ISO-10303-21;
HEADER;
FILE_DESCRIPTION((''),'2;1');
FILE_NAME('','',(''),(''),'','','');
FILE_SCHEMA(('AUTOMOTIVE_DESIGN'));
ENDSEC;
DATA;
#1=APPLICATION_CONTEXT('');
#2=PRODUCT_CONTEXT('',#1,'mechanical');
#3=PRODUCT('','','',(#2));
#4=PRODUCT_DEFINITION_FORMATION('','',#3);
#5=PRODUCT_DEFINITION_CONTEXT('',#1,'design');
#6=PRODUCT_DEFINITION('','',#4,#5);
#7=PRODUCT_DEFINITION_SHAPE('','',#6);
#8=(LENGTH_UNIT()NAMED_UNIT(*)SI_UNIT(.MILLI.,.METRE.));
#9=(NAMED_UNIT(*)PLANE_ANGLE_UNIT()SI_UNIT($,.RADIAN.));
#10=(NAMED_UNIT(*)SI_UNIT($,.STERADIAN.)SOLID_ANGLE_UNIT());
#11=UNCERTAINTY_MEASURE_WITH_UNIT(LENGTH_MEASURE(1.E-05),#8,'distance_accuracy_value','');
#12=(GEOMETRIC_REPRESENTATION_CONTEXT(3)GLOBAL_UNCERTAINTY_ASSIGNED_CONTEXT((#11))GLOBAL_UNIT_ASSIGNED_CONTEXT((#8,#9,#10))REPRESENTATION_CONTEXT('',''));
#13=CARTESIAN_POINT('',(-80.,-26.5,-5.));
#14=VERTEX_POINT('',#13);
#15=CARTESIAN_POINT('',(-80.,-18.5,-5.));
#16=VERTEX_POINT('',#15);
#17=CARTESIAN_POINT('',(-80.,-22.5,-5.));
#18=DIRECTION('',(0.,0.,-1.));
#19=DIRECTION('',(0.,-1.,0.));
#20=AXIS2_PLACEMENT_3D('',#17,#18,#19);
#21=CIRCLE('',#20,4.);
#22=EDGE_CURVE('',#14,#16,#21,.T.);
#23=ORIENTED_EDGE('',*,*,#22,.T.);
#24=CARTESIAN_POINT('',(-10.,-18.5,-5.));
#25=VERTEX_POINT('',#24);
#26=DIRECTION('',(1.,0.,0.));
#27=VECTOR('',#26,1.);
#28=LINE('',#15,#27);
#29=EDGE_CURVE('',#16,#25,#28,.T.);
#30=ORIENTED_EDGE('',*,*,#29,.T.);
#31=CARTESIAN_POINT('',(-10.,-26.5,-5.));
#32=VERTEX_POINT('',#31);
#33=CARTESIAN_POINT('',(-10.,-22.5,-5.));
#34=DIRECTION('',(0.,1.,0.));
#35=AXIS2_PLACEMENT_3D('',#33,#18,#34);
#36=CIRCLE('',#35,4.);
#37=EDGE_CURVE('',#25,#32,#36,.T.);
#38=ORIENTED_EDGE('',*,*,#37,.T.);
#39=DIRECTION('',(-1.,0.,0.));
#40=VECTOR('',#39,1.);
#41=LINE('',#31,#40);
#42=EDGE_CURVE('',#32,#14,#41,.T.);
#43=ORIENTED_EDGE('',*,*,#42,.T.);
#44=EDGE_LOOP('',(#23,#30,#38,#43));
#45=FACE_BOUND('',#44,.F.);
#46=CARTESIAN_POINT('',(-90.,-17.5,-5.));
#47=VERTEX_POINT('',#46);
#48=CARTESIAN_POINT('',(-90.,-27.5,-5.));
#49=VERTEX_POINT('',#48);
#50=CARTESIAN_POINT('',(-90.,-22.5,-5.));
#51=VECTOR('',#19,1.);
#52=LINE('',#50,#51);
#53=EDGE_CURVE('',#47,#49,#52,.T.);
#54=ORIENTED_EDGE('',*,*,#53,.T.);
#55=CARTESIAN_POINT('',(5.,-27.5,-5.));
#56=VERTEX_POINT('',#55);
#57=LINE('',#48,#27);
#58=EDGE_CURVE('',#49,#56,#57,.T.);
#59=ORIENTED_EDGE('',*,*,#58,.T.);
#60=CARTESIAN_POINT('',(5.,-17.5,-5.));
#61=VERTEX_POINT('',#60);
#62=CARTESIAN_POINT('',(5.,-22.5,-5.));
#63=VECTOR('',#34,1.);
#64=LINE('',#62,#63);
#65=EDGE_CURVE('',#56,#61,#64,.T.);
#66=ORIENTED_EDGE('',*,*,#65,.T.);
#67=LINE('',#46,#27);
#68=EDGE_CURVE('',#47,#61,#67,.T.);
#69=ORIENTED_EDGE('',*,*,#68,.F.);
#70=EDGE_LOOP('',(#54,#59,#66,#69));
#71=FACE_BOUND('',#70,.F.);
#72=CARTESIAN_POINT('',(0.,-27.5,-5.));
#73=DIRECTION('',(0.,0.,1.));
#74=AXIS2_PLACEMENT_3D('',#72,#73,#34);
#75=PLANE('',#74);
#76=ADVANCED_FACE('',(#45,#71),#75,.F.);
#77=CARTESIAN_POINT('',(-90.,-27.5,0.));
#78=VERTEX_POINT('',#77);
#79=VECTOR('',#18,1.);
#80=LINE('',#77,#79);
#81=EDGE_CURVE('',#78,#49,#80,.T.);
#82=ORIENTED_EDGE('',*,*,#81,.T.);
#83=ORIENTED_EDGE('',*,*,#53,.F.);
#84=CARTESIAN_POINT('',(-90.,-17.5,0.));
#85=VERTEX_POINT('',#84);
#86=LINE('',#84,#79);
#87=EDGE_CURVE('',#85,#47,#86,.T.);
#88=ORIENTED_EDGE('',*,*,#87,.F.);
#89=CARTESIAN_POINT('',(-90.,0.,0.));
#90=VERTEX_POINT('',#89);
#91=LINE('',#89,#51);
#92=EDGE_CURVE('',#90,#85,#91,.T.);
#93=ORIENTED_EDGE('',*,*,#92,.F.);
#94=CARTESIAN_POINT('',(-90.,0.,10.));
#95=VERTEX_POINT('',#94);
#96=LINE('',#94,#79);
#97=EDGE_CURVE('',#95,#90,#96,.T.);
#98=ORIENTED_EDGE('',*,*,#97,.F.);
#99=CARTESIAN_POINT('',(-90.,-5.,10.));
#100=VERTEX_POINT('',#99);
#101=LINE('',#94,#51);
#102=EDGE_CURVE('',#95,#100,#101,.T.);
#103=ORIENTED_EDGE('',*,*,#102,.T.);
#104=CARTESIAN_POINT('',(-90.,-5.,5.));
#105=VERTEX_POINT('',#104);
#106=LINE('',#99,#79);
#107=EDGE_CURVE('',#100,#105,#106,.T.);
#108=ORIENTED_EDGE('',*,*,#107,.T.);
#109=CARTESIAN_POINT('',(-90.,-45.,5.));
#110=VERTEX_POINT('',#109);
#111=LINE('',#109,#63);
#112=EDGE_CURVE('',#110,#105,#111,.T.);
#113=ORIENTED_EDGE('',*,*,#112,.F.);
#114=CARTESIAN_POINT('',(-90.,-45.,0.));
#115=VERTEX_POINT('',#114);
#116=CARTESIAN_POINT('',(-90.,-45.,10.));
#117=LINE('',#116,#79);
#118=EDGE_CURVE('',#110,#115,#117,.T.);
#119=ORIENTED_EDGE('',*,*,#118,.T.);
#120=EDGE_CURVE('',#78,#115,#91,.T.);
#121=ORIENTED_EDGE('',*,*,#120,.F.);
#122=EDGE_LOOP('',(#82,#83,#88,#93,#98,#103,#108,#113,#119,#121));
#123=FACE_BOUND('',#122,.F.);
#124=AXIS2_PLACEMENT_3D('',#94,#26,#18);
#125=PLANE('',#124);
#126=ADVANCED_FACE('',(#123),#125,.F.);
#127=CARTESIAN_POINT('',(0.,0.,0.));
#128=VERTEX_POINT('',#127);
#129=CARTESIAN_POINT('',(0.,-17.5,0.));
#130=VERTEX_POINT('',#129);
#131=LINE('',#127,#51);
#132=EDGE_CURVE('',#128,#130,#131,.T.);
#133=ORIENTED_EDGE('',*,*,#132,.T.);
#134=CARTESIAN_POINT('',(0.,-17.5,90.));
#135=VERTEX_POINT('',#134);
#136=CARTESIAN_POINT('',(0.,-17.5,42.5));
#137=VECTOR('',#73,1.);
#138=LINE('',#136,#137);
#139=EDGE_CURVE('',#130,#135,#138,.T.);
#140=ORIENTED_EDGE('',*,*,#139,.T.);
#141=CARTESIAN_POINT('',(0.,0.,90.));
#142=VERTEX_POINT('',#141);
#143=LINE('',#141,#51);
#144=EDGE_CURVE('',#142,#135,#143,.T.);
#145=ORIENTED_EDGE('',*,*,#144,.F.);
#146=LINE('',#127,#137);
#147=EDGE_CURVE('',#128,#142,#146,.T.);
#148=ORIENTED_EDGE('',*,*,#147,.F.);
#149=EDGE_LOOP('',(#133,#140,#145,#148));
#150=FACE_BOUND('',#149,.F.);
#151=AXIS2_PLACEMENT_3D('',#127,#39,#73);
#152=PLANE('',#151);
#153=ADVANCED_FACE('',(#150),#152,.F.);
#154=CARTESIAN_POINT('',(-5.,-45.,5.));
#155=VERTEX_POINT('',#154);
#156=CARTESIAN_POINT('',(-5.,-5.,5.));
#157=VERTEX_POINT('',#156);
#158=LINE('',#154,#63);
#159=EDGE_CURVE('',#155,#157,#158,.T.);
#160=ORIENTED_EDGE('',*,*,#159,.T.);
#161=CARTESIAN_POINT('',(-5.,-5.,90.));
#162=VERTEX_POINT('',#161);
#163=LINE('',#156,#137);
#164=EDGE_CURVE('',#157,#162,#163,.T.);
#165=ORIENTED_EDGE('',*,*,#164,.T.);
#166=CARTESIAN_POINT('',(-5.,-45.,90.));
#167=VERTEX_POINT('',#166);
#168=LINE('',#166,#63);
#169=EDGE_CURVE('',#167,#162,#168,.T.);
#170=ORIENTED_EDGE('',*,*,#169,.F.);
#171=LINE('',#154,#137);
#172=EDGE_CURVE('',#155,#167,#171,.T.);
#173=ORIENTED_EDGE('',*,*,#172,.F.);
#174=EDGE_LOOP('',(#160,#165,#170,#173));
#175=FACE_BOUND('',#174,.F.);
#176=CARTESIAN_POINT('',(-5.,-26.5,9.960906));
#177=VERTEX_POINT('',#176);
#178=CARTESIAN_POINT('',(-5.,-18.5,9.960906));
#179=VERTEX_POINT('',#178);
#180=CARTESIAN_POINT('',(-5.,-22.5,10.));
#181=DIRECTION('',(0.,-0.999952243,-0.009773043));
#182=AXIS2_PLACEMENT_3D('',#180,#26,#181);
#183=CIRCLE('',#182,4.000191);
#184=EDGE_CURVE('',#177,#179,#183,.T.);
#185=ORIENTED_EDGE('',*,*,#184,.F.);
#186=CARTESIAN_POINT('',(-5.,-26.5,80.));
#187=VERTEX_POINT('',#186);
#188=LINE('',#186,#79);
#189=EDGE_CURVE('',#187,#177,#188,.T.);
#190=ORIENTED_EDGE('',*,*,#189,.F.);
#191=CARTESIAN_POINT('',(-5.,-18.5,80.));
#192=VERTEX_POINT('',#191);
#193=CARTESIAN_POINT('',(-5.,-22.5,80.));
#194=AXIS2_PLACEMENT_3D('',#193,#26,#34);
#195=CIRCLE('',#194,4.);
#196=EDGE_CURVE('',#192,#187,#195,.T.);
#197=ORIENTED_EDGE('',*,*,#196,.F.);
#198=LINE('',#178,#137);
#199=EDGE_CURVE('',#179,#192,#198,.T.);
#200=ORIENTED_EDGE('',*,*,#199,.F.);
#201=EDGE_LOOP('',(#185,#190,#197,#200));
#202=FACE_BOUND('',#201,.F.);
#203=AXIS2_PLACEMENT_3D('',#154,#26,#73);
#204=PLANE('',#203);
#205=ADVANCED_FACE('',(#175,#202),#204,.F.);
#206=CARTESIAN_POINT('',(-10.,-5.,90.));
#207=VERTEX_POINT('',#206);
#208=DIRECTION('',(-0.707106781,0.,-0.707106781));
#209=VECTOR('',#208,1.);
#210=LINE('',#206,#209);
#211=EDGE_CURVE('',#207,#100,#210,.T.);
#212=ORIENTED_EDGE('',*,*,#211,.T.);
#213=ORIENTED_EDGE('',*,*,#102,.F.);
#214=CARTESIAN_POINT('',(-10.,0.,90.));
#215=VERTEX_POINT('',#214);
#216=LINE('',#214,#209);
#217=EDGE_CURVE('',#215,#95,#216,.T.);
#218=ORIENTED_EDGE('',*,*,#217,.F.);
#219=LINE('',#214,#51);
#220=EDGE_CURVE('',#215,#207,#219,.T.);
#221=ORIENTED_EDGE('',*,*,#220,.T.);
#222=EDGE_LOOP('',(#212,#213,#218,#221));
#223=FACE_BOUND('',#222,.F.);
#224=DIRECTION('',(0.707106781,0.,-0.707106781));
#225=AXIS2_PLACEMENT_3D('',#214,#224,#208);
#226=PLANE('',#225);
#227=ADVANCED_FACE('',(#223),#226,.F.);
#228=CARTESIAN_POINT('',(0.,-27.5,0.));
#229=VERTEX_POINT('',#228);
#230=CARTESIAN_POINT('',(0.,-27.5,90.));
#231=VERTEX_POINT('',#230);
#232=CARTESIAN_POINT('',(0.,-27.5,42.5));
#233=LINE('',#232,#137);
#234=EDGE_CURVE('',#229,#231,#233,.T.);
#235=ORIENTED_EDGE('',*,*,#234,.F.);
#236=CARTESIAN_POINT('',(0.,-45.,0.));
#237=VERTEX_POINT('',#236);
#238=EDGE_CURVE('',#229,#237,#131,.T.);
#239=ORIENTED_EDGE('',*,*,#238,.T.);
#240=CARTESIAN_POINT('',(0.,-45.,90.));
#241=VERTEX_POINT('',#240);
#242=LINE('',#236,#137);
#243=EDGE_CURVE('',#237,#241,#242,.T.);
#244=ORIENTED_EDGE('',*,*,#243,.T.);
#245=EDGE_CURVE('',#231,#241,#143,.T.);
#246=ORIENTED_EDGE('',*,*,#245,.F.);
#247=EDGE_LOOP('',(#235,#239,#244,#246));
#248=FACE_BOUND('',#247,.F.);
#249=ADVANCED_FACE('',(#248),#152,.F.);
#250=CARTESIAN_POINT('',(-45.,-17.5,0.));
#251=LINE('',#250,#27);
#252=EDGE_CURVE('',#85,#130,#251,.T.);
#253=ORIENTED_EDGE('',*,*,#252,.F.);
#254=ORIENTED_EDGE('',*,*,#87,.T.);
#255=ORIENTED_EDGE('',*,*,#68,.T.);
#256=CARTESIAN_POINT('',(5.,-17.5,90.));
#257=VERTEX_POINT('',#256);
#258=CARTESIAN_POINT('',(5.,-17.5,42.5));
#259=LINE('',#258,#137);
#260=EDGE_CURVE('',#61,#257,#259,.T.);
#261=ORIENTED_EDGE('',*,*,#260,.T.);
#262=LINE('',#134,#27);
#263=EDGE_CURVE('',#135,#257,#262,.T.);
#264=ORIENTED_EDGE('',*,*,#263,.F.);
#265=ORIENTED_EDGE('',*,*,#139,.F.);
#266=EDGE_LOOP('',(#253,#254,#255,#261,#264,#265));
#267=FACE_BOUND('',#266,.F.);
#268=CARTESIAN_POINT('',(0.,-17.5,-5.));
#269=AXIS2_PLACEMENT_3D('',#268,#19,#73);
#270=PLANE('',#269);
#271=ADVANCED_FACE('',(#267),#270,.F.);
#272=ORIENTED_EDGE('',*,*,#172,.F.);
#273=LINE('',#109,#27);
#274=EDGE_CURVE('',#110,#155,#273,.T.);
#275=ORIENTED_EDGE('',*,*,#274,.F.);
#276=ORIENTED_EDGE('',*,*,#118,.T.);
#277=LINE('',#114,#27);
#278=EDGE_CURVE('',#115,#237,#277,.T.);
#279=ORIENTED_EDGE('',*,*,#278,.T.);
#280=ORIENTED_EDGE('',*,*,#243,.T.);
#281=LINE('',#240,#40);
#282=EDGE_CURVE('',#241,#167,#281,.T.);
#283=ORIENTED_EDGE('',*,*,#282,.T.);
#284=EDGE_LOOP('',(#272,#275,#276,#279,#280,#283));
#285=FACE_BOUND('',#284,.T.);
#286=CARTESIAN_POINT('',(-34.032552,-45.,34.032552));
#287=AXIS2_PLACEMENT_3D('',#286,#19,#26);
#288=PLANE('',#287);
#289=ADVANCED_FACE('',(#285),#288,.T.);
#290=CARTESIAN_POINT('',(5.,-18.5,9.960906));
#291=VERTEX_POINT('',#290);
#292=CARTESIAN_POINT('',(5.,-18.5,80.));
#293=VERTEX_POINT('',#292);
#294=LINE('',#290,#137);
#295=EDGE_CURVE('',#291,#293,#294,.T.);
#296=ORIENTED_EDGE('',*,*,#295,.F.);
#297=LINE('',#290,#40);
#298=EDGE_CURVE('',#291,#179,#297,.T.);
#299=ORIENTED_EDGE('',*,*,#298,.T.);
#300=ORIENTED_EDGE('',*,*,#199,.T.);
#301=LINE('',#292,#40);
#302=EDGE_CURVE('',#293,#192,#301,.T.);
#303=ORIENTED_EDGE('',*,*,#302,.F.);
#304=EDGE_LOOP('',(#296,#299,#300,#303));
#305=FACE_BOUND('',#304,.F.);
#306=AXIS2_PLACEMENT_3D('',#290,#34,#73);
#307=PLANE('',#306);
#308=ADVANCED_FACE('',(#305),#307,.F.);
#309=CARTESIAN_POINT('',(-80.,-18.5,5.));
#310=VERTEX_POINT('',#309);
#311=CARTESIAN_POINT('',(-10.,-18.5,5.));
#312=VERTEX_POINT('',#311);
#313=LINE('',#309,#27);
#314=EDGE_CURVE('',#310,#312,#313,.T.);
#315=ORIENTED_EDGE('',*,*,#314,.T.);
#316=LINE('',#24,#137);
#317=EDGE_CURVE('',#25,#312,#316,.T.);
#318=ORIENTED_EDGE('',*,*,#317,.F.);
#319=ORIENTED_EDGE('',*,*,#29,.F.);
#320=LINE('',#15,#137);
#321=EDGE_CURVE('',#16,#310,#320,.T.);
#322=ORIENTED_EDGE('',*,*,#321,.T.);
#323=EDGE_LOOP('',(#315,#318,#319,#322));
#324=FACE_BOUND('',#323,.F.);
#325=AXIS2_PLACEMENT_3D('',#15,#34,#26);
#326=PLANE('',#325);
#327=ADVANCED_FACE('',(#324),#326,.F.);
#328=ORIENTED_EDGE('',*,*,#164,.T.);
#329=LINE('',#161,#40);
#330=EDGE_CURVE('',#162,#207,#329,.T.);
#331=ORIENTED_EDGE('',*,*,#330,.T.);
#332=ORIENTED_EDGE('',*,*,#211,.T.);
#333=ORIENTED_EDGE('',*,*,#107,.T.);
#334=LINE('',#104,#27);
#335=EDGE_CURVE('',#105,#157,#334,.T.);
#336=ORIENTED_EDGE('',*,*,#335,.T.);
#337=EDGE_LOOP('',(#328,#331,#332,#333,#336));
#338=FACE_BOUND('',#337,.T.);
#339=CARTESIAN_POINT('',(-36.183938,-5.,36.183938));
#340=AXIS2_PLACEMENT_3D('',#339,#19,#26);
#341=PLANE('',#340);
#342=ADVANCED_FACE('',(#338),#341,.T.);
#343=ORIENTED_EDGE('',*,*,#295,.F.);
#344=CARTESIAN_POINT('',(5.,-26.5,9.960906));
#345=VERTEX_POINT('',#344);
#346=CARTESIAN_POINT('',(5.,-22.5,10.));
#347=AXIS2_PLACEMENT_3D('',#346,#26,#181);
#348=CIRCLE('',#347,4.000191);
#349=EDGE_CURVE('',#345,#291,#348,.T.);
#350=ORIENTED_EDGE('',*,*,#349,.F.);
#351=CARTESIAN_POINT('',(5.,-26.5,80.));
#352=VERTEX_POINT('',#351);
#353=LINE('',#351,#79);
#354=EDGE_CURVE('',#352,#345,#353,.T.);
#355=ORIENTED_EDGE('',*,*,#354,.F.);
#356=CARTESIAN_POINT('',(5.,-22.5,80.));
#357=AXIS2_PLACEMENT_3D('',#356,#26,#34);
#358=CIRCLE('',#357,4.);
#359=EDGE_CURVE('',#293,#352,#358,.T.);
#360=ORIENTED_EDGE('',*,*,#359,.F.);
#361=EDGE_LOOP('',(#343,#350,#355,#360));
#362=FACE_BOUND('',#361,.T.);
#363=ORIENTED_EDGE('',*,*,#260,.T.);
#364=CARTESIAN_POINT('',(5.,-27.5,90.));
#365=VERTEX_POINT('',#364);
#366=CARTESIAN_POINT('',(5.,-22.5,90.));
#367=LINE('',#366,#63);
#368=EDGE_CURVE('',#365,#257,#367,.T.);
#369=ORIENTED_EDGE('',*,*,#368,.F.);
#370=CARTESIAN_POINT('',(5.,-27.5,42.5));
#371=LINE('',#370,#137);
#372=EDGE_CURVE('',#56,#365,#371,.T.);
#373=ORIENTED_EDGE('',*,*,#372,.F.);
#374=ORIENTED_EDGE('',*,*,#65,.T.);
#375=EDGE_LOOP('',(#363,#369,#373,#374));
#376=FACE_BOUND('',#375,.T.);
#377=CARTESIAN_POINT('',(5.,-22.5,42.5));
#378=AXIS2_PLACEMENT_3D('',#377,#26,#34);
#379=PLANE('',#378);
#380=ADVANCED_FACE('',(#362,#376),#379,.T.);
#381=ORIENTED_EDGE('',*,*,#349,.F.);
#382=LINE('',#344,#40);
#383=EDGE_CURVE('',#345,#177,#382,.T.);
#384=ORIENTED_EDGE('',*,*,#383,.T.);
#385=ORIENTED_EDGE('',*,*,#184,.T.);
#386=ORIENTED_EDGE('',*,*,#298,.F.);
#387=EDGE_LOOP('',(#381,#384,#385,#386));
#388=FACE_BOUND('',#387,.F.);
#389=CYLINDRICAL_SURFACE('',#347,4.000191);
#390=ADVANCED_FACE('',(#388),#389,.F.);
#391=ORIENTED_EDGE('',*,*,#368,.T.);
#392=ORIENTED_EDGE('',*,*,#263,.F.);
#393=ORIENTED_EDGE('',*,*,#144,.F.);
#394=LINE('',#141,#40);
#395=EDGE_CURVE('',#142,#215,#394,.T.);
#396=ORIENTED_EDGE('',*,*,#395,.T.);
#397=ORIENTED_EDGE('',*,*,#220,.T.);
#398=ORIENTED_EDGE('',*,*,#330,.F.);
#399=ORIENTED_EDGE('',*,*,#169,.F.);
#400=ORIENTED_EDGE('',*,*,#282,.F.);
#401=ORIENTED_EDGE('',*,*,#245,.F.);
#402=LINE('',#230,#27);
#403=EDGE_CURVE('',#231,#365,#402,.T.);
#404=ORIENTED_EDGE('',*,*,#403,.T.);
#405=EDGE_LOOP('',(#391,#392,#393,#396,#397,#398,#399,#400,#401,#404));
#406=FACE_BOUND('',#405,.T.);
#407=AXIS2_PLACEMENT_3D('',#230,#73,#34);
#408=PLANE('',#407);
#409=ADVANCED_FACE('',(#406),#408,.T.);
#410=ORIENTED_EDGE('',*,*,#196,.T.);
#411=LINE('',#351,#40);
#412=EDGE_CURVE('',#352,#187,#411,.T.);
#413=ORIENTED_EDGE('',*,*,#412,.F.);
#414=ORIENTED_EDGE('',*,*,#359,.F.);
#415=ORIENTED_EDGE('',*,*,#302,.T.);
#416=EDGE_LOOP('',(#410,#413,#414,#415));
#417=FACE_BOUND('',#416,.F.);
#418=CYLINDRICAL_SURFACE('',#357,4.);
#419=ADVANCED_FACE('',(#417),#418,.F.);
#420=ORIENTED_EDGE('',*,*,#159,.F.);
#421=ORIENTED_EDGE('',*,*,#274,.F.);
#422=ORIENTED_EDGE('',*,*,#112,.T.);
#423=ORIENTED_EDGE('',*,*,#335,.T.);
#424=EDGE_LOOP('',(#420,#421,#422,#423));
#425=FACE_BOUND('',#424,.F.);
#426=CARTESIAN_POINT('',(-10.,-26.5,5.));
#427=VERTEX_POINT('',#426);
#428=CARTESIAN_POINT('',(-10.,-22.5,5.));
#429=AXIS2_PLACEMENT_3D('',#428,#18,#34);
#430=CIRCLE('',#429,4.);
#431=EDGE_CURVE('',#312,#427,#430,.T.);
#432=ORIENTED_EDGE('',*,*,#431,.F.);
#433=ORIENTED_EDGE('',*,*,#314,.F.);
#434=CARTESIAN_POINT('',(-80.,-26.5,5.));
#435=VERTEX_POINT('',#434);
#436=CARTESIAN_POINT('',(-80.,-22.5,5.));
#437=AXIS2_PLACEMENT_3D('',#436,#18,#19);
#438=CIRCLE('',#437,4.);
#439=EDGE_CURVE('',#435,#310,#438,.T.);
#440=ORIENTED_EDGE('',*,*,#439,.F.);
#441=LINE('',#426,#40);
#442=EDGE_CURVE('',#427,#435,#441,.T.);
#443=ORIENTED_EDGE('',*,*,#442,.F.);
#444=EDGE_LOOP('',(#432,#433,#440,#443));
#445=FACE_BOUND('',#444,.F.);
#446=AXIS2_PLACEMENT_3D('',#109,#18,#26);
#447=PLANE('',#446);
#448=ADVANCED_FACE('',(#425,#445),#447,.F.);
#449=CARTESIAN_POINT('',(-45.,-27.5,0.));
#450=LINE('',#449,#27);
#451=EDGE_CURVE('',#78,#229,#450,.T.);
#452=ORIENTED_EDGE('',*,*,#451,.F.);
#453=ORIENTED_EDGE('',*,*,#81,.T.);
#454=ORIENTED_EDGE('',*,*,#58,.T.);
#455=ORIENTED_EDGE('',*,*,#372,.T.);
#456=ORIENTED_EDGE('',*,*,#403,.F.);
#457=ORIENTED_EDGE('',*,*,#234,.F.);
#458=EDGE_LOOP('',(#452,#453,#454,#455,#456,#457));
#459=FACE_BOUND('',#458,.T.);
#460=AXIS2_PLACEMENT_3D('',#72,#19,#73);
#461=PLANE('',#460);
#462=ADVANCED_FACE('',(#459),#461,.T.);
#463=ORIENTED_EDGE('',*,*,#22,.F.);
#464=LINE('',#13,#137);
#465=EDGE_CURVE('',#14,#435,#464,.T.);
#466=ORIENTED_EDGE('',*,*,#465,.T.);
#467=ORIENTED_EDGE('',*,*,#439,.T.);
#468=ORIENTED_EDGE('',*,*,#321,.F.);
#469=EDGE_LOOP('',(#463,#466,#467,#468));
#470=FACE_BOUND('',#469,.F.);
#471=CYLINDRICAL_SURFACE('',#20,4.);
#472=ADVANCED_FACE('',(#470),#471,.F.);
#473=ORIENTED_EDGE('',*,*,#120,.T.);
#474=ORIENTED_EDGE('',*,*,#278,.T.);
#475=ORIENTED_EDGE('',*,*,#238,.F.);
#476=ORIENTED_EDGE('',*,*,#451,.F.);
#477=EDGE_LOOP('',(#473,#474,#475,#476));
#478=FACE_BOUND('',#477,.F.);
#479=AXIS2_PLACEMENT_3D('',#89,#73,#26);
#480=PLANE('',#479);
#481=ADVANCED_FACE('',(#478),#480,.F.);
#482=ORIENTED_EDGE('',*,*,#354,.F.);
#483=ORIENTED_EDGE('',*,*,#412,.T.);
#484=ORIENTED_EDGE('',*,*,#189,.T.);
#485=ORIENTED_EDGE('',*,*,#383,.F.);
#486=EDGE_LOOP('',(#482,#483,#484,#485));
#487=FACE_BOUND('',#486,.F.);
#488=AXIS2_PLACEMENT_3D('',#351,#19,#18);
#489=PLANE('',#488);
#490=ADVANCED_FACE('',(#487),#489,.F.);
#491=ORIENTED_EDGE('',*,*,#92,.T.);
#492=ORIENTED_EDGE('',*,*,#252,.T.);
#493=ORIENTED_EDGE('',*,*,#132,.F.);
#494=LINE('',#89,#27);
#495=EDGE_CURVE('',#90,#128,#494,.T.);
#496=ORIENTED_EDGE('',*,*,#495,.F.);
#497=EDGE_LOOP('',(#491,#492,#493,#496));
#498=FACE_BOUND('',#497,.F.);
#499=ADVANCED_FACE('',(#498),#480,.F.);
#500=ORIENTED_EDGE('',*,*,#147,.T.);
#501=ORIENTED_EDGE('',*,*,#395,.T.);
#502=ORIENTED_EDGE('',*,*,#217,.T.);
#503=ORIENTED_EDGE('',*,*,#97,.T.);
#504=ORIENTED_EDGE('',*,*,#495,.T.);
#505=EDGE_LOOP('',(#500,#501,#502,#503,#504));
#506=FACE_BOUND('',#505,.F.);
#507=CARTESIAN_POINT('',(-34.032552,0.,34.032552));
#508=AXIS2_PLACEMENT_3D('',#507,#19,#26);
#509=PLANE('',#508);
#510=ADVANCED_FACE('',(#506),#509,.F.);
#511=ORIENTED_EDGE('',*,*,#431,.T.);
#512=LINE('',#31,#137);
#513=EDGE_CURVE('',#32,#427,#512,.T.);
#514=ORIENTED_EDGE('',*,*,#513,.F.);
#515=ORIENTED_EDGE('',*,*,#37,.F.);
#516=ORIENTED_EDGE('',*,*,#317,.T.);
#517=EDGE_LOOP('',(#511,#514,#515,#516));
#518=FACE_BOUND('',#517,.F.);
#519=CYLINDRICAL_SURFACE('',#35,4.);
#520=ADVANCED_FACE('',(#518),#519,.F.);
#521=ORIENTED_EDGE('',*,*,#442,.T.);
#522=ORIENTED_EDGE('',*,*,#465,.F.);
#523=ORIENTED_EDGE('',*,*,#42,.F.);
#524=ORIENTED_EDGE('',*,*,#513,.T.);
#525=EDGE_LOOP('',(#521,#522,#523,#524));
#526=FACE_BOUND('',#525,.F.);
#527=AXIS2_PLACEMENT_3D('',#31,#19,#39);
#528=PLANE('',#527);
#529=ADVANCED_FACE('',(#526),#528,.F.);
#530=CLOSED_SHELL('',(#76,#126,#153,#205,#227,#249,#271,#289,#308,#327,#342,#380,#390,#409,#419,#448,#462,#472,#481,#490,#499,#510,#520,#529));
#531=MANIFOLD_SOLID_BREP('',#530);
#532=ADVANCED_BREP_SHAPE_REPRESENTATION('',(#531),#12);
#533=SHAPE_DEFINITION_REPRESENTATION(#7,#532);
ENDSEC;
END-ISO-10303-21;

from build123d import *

# Parameters (mm, degrees)
F1_DEPTH  = 45
F3_DEPTH  = 40
F4_W      = 90
F4_H      = 10
F5_DEPTH  = 5
F6_W      = 10
F6_H      = 95
F7_DEPTH  = 5
F9_DEPTH  = 10
F11_DEPTH = 10


with BuildPart() as f1:
    # F0 (on Front) → F1 (new body)
    with BuildSketch(Plane.XZ):
        Polygon((-90, 10), (-90, 0), (0, 0), (0, 90), (-10, 90), align=None)
    extrude(amount=F1_DEPTH)

    # F2 (on face) → F3 (cut)
    with BuildSketch(Plane.XZ.offset(45)):
        Polygon((-10, 90), (-90, 10), (-90, 5), (-5, 5), (-5, 90), align=None)
    extrude(amount=-F3_DEPTH, mode=Mode.SUBTRACT)

    # F4 (on face) → F5 (join)
    with BuildSketch(Plane(origin=(0, 0, 0), x_dir=(1, 0, 0), z_dir=(0, 0, -1))):
        with Locations((-45, 22.5)):
            Rectangle(F4_W, F4_H)
    extrude(amount=F5_DEPTH)

    # F6 (on face) → F7 (join)
    with BuildSketch(Plane.YZ):
        with Locations((-22.5, 42.5)):
            Rectangle(F6_W, F6_H)
    extrude(amount=F7_DEPTH)

    # F8 (on face) → F9 (cut, through all)
    with BuildSketch(Plane.YZ.offset(5)):
        with BuildLine():
            ThreePointArc((-18.5, 80), (-22.5, 84), (-26.5, 80))
            Line((-26.5, 80), (-26.5, 9.960906))
            ThreePointArc((-26.5, 9.960906), (-22.5, 5.999809), (-18.5, 9.960906))
            Line((-18.5, 9.960906), (-18.5, 80))
        make_face()
    extrude(amount=-F9_DEPTH, mode=Mode.SUBTRACT)

    # F10 (on face) → F11 (cut, through all)
    with BuildSketch(Plane(origin=(0, 0, -5), x_dir=(1, 0, 0), z_dir=(0, 0, -1))):
        with BuildLine():
            ThreePointArc((-80, 26.5), (-84, 22.5), (-80, 18.5))
            Line((-80, 18.5), (-10, 18.5))
            ThreePointArc((-10, 18.5), (-6, 22.5), (-10, 26.5))
            Line((-10, 26.5), (-80, 26.5))
        make_face()
    extrude(amount=-F11_DEPTH, mode=Mode.SUBTRACT)


solid = f1.part
